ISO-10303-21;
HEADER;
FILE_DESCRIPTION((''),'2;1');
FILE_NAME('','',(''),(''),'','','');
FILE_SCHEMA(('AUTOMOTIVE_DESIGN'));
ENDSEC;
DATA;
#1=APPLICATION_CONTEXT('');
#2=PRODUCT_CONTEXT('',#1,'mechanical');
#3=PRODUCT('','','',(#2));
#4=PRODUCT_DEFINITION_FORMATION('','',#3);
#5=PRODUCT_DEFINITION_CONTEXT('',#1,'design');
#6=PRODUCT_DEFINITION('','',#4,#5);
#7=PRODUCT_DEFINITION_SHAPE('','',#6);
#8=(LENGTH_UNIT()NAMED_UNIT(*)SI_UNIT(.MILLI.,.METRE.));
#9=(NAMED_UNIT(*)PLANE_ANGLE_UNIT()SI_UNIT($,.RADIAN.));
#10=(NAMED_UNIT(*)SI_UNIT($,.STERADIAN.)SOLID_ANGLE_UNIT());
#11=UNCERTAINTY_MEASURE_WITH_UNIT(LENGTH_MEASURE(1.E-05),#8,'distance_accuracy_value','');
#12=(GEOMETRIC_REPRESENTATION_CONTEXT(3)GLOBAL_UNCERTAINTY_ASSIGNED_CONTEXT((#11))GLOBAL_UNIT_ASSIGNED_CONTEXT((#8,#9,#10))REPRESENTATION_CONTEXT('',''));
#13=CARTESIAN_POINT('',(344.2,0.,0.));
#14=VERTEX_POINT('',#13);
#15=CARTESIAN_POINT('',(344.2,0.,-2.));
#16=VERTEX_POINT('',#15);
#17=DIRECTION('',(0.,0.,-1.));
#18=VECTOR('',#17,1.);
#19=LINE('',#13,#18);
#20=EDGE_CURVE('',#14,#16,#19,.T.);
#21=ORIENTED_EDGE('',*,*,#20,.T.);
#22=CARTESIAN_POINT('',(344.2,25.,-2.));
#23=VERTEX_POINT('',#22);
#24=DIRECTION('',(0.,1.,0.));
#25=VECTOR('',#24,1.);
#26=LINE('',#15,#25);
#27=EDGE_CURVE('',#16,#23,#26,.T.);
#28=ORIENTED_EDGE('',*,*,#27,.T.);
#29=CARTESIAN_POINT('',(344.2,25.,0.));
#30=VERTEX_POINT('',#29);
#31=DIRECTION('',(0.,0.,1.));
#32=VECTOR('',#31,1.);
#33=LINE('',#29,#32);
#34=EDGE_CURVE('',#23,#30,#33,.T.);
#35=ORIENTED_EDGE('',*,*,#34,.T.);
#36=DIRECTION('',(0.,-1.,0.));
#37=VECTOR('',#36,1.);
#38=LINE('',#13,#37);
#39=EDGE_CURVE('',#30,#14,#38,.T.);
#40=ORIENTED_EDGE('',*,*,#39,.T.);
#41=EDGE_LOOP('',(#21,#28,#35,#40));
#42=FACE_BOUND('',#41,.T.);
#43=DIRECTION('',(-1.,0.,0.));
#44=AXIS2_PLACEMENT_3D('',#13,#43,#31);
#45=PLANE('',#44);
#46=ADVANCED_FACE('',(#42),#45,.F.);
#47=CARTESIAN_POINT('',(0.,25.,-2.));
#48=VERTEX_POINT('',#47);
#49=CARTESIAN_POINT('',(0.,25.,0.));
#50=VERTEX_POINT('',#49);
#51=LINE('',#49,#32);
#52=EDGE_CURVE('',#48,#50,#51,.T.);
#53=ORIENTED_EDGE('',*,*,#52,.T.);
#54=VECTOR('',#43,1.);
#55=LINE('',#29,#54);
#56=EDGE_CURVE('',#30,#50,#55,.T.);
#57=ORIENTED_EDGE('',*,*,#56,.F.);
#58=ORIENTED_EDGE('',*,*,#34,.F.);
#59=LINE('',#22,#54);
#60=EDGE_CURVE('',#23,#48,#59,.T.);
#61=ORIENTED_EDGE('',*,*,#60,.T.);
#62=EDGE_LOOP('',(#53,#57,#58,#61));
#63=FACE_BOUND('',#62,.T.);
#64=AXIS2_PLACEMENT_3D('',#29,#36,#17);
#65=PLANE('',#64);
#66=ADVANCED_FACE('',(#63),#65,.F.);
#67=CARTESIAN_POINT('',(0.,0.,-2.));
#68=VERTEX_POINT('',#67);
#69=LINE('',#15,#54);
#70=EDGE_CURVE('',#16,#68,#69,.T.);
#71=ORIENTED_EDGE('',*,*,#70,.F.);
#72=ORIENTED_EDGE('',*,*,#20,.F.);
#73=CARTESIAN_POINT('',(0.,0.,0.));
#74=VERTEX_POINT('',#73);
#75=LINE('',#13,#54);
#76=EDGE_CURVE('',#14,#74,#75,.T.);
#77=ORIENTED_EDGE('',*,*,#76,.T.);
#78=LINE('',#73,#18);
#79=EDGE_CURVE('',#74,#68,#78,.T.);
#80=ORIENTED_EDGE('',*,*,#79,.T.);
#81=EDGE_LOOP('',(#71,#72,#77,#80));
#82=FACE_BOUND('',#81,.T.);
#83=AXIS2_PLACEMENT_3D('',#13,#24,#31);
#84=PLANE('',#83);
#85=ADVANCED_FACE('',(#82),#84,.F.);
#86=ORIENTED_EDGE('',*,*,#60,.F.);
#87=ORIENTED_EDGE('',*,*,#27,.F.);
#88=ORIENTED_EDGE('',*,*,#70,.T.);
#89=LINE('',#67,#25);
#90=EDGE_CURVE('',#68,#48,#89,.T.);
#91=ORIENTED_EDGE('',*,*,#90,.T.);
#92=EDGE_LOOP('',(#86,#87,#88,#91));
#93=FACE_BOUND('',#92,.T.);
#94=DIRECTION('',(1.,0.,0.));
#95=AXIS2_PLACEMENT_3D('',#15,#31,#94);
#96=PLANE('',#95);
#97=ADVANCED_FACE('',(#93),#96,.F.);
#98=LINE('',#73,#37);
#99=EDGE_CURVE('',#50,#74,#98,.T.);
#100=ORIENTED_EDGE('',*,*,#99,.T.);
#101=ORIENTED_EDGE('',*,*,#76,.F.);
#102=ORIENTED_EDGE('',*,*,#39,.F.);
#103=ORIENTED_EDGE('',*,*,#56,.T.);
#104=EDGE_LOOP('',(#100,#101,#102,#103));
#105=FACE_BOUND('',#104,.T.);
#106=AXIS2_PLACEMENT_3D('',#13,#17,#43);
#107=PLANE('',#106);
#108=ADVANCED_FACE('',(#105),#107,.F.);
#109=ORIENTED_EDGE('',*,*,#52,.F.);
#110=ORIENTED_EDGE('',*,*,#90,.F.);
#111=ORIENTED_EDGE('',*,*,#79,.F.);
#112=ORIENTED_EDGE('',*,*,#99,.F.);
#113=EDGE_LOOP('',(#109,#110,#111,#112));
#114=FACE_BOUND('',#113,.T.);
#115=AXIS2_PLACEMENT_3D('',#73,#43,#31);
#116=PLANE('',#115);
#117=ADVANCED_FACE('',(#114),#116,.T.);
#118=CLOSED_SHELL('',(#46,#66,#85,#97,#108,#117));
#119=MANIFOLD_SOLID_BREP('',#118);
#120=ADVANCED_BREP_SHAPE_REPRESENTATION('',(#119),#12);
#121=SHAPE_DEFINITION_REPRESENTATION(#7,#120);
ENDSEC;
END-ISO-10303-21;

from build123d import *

# Parameters (mm, degrees)
SKETCH_2_W      = 2
SKETCH_2_H      = 25
EXTRUDE_1_DEPTH = 344.2


with BuildPart() as part:
    # Эскиз2 → Бобышка-Вытянуть1 (new body)
    with BuildSketch(Plane(origin=(0, 0, 0), x_dir=(0, 0, -1), z_dir=(1, 0, 0))):
        with Locations((1, 12.5)):
            Rectangle(SKETCH_2_W, SKETCH_2_H)
    extrude(amount=EXTRUDE_1_DEPTH)


solid = part.part
